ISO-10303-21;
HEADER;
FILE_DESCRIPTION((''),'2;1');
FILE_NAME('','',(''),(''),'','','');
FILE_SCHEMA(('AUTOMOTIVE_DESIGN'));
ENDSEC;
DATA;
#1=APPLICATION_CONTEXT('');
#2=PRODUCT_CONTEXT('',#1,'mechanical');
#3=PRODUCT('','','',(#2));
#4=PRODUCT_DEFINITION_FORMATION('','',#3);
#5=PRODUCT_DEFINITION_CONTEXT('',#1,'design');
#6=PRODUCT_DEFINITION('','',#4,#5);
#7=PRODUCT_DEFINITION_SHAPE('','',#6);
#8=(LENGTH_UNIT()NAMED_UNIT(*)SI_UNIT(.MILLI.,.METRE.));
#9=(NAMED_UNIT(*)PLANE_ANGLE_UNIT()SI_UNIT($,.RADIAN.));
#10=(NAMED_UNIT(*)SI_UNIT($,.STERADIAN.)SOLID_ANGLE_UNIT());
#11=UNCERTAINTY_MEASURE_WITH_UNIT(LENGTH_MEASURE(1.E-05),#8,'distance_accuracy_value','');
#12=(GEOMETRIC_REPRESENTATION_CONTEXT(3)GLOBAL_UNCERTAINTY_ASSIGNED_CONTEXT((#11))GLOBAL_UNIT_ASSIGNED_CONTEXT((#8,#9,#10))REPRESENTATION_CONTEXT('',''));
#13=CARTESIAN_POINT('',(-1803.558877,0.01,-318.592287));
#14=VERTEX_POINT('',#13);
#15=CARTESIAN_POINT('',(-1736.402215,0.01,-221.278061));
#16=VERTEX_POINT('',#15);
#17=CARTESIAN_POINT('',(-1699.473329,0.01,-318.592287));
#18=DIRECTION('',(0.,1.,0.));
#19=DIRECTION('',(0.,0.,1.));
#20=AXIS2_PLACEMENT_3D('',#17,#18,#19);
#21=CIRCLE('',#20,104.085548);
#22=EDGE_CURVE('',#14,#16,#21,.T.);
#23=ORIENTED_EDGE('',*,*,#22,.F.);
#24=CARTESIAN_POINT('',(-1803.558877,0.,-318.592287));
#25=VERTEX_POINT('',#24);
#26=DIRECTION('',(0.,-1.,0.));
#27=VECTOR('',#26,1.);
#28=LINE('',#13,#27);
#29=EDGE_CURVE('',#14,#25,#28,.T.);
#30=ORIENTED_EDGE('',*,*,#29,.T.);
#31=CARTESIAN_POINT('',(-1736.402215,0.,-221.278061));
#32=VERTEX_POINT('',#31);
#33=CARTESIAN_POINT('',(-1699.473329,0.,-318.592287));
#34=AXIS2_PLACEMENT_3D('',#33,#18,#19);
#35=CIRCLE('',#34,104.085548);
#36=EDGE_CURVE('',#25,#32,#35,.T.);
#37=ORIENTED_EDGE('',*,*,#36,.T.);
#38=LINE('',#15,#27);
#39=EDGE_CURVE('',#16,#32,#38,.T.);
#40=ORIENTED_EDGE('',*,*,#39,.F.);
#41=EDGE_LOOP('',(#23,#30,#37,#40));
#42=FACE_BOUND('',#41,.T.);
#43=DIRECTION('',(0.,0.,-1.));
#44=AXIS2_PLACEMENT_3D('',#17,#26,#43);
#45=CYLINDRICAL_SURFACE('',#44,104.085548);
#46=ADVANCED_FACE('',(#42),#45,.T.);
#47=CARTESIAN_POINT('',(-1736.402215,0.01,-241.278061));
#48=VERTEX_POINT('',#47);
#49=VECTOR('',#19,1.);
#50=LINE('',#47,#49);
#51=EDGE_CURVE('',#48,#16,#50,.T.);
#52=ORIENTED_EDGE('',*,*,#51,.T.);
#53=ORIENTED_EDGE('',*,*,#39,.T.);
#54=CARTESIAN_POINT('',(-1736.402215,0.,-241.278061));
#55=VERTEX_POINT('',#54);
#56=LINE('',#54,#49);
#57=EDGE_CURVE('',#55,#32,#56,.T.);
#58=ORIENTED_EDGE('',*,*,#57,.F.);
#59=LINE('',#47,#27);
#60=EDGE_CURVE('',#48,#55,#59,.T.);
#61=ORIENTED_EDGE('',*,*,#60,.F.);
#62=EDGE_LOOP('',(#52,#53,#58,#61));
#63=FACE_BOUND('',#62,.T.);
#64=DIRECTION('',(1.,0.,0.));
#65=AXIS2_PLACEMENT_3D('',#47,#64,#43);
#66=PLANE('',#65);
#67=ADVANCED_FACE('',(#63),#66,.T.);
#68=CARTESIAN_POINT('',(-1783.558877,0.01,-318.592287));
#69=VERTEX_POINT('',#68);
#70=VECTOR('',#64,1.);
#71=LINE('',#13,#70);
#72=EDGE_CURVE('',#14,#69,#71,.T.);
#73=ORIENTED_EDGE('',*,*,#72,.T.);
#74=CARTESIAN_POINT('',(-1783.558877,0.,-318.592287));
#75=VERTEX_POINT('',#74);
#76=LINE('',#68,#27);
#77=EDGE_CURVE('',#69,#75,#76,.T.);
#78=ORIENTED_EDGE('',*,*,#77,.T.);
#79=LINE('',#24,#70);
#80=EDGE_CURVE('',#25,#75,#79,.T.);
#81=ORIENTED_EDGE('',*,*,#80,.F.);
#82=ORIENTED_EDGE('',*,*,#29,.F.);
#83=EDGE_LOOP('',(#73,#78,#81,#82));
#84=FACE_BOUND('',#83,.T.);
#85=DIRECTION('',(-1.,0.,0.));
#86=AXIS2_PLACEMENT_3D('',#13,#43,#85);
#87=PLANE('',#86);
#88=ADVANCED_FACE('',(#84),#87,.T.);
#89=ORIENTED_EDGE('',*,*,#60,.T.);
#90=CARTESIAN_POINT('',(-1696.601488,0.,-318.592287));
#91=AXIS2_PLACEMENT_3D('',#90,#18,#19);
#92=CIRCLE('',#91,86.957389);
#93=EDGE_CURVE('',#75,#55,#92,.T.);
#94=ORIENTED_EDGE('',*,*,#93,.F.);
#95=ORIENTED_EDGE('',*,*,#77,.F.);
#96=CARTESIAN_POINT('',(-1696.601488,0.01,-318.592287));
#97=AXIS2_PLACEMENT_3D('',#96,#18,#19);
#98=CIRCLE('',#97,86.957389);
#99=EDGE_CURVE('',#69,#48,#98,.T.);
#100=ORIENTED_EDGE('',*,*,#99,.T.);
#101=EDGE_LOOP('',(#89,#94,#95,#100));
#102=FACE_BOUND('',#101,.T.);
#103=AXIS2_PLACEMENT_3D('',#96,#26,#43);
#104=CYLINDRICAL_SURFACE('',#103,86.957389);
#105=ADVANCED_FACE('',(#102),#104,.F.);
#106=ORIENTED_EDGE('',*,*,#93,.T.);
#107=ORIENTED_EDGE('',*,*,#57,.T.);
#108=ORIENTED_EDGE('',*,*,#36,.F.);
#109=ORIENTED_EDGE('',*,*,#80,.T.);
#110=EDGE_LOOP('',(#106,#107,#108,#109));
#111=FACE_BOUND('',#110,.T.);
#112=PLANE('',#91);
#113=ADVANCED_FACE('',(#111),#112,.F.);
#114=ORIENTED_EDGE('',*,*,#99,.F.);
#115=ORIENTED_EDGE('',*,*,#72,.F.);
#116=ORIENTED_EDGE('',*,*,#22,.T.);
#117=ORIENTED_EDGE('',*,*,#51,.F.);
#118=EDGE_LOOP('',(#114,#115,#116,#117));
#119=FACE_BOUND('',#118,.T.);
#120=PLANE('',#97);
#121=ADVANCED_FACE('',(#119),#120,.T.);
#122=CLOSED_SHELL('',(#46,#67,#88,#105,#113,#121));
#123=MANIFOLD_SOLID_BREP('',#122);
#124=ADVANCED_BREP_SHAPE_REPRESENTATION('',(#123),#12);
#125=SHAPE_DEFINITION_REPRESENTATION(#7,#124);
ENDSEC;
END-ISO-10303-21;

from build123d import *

# Parameters (mm, degrees)
RESSALTO_EXTRUS_O16_DEPTH = 0.01


with BuildPart() as part:
    # Esboço1 → Ressalto-extrusão16 (new body)
    with BuildSketch(Plane(origin=(0, 0, 0), x_dir=(1, 0, 0), z_dir=(0, 1, 0))):
        with BuildLine():
            Line((-1736.402214806, 241.27806063), (-1736.402214806, 221.27806063))
            ThreePointArc((-1736.402214806, 221.27806063), (-1785.140022171, 259.473601593), (-1803.558877077, 318.592287302))
            Line((-1803.558877077, 318.592287302), (-1783.558877077, 318.592287302))
            ThreePointArc((-1783.558877077, 318.592287302), (-1770.839466155, 273.311937142), (-1736.402214806, 241.27806063))
        make_face()
    extrude(amount=RESSALTO_EXTRUS_O16_DEPTH)


solid = part.part
